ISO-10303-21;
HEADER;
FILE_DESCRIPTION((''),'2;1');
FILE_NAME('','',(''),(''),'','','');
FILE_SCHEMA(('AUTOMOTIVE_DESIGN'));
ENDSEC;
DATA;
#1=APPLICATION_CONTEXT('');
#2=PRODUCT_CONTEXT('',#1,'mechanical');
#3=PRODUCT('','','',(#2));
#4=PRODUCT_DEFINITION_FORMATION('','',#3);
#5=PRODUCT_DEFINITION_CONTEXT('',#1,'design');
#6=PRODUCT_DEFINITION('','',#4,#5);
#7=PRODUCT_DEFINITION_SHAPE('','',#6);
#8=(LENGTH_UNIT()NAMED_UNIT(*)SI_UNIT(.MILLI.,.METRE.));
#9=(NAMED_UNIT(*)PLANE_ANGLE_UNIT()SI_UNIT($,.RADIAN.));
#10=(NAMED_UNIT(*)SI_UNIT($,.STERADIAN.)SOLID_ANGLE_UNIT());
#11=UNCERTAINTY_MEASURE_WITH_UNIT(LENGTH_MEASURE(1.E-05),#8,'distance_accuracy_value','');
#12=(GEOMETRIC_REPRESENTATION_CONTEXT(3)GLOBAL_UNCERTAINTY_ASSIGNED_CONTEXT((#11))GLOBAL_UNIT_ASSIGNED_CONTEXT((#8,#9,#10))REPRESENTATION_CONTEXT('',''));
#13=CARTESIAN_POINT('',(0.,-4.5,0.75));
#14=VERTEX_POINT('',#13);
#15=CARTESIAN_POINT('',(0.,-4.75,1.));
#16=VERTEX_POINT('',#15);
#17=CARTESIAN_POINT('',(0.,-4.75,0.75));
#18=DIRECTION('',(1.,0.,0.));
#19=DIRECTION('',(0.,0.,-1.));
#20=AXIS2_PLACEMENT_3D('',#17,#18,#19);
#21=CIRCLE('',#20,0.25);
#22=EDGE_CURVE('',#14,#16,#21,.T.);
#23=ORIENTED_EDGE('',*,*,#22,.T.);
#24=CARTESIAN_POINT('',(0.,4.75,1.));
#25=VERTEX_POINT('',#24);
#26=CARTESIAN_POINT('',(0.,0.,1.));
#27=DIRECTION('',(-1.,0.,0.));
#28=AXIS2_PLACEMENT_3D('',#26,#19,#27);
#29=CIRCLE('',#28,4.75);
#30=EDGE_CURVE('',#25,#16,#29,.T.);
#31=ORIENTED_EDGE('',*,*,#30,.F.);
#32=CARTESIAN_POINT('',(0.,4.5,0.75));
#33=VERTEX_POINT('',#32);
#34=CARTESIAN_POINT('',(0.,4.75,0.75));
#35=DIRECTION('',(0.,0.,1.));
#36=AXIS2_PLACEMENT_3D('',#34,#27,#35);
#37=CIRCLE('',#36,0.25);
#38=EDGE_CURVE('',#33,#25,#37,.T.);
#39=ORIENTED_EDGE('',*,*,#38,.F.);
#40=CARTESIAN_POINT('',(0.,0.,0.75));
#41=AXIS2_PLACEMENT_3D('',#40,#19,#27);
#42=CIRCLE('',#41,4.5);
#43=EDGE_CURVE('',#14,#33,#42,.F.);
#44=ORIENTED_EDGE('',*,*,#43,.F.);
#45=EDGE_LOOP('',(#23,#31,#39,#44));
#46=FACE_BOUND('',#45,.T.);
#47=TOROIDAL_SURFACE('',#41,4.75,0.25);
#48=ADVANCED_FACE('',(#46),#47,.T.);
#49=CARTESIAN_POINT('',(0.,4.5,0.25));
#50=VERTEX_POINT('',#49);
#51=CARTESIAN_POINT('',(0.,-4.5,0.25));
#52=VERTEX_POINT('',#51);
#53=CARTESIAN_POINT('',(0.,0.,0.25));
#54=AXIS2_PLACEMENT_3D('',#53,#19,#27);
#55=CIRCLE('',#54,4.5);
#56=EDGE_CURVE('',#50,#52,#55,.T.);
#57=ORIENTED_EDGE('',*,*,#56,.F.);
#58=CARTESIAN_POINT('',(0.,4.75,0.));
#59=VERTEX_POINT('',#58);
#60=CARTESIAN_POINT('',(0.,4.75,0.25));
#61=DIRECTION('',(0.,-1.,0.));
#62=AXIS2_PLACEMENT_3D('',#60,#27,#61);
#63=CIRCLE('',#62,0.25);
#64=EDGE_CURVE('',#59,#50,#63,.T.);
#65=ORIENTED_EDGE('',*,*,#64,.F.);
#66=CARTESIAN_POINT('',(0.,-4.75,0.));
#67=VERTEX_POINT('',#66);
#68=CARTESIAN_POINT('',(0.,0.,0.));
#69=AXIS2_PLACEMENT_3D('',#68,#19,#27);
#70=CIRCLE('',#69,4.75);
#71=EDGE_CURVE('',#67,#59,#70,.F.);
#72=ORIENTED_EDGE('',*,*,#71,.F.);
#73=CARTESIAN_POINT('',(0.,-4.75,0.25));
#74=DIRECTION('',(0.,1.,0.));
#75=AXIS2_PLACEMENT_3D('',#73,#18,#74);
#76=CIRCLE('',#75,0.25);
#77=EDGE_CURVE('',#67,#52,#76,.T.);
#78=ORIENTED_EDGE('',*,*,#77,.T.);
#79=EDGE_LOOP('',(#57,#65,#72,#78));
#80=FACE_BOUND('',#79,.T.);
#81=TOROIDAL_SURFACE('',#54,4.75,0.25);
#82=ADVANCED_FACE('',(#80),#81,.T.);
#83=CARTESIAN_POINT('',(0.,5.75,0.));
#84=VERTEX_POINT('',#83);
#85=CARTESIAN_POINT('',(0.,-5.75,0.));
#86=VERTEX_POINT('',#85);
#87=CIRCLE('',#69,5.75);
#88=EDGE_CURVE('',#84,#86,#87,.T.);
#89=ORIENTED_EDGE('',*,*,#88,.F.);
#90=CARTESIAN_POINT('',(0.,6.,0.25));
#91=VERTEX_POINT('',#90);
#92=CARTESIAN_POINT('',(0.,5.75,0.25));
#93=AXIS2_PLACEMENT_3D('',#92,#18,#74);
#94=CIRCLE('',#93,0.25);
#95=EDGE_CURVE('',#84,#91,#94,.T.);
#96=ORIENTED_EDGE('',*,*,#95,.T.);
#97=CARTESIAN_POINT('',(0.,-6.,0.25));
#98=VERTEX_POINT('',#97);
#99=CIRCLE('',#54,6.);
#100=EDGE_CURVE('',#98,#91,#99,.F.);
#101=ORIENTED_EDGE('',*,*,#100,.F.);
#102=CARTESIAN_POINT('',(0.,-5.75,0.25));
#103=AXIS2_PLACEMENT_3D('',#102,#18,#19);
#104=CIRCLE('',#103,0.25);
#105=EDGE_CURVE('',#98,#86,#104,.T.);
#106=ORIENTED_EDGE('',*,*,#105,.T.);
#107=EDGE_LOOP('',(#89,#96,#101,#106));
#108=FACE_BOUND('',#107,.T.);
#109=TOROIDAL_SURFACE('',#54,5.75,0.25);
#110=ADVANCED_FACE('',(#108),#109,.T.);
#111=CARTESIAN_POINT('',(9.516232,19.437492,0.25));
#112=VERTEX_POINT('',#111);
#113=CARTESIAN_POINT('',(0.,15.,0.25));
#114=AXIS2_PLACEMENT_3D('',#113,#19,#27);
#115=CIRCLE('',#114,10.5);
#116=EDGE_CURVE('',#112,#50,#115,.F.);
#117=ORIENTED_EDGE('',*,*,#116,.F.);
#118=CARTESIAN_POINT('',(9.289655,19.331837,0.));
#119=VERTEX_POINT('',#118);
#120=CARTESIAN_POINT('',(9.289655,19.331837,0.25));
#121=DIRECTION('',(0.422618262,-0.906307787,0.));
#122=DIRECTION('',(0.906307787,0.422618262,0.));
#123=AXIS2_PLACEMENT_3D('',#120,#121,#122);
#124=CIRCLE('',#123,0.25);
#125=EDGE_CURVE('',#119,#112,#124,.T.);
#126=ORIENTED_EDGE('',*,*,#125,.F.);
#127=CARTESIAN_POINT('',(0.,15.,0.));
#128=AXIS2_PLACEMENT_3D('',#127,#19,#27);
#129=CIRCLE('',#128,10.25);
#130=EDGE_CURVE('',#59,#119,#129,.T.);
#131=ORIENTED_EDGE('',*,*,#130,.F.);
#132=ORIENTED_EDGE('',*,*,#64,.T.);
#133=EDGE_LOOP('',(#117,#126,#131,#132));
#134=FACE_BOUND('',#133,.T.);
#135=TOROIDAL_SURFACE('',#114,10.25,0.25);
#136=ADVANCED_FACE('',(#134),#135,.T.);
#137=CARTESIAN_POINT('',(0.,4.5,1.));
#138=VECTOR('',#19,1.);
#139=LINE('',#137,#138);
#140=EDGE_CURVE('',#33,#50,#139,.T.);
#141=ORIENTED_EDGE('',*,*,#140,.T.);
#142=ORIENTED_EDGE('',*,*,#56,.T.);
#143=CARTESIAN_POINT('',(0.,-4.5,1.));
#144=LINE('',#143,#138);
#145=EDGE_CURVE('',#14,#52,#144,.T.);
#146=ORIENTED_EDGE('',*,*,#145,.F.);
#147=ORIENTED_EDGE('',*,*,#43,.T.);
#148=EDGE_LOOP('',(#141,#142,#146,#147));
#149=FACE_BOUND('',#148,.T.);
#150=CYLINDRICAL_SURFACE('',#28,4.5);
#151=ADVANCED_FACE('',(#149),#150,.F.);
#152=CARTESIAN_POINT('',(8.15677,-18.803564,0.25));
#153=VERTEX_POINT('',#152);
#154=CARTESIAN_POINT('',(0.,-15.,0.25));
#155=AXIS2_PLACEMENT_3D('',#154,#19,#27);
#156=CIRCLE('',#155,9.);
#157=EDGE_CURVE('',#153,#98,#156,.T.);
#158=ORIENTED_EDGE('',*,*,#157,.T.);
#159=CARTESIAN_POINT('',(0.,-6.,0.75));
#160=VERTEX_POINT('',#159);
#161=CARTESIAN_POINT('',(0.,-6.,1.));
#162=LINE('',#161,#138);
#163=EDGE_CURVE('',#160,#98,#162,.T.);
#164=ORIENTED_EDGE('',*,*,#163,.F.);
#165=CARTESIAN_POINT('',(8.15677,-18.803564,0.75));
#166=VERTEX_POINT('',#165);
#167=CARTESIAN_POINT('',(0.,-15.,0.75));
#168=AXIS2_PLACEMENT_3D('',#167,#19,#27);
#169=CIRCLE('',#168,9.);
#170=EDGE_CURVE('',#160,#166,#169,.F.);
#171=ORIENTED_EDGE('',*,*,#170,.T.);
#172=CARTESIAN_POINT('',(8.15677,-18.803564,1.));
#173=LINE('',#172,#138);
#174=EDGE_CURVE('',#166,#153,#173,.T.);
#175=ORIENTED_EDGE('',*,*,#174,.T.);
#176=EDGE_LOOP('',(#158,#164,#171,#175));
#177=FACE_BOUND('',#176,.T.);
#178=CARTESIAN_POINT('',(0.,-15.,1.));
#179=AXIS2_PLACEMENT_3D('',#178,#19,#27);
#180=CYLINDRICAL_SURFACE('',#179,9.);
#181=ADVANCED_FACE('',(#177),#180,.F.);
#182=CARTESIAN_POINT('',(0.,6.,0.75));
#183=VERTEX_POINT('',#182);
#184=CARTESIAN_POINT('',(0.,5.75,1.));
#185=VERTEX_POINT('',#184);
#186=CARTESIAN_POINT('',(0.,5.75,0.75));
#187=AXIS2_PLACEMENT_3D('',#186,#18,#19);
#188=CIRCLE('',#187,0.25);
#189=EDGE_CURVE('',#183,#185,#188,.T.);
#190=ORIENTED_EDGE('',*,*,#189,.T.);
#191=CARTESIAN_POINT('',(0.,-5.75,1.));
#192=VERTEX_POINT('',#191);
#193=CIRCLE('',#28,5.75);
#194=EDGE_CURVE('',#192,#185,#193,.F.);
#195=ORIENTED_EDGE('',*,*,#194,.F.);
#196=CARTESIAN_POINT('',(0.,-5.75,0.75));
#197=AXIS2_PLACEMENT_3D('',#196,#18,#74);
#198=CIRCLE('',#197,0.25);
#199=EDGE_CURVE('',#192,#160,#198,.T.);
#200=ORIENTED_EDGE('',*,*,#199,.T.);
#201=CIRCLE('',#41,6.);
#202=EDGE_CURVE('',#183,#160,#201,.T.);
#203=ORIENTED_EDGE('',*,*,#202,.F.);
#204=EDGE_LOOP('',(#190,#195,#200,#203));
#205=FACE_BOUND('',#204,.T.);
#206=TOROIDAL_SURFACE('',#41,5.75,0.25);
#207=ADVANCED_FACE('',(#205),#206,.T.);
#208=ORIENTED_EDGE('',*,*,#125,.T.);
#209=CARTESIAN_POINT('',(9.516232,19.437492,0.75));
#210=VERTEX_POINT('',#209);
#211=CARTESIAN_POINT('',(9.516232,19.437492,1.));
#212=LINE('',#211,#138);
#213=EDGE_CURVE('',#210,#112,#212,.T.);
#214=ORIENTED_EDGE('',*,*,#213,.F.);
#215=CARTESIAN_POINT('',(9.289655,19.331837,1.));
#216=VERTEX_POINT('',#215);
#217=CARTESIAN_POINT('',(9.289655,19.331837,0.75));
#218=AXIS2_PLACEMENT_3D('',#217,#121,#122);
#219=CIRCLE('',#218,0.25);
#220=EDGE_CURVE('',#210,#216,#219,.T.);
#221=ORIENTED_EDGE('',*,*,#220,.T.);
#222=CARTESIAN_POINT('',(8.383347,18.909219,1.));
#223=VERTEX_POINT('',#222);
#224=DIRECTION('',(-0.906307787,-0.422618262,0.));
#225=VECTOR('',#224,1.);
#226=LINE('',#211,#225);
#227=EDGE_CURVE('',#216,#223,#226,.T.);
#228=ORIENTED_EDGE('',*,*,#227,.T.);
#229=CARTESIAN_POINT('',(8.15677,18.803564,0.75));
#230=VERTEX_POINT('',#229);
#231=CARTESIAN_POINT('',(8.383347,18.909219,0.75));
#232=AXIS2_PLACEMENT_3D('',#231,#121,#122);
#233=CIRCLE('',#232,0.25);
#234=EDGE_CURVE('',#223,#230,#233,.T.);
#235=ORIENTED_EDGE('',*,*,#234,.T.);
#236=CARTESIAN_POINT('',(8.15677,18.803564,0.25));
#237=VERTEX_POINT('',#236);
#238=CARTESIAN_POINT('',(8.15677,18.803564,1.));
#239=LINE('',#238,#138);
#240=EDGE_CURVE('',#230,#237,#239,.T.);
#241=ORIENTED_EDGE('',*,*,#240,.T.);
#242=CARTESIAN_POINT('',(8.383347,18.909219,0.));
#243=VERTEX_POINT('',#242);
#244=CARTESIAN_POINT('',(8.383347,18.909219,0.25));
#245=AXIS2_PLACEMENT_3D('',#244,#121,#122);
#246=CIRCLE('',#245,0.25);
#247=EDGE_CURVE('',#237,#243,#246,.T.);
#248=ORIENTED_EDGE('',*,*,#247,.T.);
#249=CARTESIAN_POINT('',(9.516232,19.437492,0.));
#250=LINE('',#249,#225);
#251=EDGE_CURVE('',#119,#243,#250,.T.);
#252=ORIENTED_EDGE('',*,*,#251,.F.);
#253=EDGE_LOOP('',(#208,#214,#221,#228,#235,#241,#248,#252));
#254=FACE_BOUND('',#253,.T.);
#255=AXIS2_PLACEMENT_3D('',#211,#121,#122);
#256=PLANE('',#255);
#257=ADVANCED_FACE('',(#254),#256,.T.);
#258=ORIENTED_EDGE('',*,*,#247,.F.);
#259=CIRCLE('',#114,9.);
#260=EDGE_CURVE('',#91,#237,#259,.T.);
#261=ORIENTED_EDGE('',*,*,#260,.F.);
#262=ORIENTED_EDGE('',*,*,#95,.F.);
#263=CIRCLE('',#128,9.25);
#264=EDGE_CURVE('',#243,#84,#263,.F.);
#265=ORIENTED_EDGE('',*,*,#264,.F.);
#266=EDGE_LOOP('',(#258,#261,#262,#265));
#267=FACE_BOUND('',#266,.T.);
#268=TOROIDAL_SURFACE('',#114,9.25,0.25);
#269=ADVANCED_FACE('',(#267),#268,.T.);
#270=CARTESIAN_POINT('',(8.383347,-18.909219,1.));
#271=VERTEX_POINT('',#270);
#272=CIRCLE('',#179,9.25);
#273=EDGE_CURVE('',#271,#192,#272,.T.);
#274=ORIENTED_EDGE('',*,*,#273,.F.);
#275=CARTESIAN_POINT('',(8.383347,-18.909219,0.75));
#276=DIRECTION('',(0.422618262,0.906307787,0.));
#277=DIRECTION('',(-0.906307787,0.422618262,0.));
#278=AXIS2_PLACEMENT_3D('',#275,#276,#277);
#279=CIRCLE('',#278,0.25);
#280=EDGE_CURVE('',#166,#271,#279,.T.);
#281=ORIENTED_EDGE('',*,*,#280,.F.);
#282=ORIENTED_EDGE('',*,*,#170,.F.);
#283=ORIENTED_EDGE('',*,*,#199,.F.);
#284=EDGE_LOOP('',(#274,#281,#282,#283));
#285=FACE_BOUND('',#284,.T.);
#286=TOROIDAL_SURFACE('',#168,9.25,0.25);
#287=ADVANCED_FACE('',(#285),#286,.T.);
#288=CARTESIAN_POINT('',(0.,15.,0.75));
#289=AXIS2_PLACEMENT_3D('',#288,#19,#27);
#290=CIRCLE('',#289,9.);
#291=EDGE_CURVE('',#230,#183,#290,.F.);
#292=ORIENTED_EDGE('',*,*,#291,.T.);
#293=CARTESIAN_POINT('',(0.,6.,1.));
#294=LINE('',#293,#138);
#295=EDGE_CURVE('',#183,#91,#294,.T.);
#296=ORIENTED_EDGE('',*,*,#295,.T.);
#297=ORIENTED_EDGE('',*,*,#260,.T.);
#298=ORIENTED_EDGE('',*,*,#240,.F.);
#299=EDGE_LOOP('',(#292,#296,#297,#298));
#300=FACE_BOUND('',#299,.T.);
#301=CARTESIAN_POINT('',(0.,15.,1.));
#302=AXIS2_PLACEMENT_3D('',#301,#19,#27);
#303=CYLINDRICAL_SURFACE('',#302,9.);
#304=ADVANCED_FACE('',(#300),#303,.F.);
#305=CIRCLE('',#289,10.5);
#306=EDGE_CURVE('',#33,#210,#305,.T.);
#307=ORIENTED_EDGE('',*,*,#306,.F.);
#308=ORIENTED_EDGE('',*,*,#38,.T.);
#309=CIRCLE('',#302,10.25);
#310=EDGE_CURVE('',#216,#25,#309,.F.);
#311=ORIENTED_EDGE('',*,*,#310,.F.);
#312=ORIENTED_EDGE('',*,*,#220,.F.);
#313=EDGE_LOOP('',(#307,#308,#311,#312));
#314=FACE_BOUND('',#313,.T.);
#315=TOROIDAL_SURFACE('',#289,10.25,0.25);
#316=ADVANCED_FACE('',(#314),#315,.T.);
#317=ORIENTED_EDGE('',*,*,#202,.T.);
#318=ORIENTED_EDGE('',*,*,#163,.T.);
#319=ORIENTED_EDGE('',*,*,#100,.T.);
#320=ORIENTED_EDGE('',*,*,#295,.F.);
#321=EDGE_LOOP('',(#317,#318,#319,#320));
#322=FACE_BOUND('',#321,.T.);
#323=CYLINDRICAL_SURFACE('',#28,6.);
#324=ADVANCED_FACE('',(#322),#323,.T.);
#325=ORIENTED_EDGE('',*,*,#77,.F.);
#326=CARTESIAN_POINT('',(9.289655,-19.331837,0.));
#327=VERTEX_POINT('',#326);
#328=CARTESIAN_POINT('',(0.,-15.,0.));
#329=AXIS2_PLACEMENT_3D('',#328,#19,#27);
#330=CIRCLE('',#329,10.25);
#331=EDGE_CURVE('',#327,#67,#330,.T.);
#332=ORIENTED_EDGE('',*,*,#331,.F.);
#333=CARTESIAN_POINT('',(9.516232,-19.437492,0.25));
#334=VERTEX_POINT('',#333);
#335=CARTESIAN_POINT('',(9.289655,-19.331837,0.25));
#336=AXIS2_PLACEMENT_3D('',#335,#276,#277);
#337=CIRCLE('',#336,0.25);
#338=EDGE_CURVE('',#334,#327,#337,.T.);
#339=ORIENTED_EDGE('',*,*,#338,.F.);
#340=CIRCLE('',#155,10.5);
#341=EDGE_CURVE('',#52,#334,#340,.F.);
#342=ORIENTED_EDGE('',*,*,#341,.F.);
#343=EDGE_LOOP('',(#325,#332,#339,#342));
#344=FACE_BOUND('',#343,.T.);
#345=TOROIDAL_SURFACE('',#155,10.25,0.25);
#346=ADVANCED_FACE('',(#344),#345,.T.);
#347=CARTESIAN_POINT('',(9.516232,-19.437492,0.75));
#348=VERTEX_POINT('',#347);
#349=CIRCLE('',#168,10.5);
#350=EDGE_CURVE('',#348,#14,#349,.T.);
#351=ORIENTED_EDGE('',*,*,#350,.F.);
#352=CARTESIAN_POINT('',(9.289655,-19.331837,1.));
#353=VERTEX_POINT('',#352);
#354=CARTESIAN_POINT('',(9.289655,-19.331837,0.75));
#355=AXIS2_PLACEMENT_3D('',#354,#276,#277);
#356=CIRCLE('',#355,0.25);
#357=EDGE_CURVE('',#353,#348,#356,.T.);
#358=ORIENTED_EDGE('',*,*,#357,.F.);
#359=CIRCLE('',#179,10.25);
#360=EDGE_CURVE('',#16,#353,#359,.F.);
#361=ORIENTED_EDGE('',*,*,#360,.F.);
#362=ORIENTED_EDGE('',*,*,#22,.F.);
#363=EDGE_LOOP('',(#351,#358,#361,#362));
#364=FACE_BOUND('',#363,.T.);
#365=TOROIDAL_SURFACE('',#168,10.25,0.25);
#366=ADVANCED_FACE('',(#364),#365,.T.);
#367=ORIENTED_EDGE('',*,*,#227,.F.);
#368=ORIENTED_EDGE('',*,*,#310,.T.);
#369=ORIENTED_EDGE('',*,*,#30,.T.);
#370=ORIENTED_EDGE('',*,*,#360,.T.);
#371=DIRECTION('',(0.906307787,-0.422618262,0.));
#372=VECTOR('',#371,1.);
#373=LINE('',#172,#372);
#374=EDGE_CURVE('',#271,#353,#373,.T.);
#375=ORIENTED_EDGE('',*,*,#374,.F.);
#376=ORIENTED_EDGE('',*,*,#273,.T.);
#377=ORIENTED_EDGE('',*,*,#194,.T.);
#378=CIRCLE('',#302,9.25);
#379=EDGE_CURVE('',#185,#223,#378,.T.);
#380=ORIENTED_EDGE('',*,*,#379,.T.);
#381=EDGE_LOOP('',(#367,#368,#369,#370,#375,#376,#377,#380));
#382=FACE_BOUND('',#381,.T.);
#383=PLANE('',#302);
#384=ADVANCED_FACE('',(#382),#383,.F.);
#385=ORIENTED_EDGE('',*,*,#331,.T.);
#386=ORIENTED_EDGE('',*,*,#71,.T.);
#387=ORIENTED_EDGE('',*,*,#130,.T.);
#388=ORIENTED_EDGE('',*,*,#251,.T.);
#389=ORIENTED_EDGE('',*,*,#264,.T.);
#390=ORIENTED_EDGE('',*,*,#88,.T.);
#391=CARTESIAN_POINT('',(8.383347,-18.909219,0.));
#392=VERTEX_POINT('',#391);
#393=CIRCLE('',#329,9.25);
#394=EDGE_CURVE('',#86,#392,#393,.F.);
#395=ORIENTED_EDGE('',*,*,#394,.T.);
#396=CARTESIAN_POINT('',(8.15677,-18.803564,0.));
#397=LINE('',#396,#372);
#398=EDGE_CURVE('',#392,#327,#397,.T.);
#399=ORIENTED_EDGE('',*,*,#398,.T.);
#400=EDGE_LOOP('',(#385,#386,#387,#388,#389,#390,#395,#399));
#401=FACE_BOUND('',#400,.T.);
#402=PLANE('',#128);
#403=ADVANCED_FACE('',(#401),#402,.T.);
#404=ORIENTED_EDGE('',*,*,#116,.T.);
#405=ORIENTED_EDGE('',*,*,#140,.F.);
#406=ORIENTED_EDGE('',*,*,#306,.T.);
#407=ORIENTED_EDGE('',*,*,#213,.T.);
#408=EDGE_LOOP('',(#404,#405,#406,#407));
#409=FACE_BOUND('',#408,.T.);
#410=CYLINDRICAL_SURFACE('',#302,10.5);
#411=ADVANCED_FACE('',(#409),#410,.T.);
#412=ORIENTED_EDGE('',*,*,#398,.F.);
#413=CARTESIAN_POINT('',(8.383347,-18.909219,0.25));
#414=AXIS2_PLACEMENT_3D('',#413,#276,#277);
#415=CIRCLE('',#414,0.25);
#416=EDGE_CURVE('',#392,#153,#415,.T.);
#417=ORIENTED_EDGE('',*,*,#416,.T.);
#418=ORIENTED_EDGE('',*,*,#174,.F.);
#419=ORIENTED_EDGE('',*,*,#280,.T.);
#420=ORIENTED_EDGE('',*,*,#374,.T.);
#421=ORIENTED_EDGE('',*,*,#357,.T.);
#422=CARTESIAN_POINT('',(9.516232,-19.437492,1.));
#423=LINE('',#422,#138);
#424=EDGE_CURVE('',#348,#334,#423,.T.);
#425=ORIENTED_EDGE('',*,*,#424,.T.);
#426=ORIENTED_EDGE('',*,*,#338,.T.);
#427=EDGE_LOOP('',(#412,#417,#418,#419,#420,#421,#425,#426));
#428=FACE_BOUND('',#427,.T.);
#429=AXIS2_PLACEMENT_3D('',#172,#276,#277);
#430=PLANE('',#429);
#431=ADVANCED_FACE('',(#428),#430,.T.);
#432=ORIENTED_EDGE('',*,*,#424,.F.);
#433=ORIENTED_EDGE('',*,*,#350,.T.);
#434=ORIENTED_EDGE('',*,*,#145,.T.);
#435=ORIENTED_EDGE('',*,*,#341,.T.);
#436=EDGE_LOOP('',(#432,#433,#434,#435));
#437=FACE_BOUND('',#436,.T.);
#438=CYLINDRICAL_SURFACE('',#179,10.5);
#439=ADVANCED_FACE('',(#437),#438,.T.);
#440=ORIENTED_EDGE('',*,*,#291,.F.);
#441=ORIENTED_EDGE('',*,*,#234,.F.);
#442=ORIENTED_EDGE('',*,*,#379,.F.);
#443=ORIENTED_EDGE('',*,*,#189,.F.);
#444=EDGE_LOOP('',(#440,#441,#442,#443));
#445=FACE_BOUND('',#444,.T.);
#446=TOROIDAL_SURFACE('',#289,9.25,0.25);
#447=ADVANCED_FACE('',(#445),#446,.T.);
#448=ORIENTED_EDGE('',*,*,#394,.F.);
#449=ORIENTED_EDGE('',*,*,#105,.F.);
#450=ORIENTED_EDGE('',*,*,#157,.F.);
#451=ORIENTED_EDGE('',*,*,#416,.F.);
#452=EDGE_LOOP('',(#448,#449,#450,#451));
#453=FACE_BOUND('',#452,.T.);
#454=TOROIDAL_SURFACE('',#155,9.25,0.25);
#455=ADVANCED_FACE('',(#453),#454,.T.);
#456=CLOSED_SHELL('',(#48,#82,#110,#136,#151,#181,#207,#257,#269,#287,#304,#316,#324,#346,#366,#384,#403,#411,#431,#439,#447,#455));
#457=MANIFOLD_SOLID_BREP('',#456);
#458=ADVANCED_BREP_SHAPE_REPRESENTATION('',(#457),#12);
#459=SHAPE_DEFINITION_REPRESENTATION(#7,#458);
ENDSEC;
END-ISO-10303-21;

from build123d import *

# Parameters (mm, degrees)
EXTRUDE_THIN1_DEPTH = 1
FILLET1_R           = 0.25


with BuildPart() as part:
    # Sketch1 → Extrude-Thin1 (new body)
    with BuildSketch(Plane.XY):
        with BuildLine():
            ThreePointArc((8.156770083, 18.803564356), (-7.590523012, 19.835696475), (0, 6))
            ThreePointArc((0, 6), (4.242640687, 4.242640687), (6, 0))
            ThreePointArc((6, 0), (4.242640687, -4.242640687), (0, -6))
            ThreePointArc((0, -6), (-7.590523012, -19.835696475), (8.156770083, -18.803564356))
            Line((8.156770083, -18.803564356), (9.516231764, -19.437491748))
            ThreePointArc((9.516231764, -19.437491748), (-8.855610181, -20.641645888), (0, -4.5))
            ThreePointArc((0, -4.5), (3.181980515, -3.181980515), (4.5, 0))
            ThreePointArc((4.5, 0), (3.181980515, 3.181980515), (0, 4.5))
            ThreePointArc((0, 4.5), (-8.855610181, 20.641645888), (9.516231764, 19.437491748))
            Line((9.516231764, 19.437491748), (8.156770083, 18.803564356))
        make_face()
    extrude(amount=EXTRUDE_THIN1_DEPTH)

    # Fillet1
    fillet1_edges = [part.edges().sort_by_distance(p)[0] for p in [
        (-8.855610181, -20.641645888, 0),
        (4.5, 0, 0),
        (-8.855610181, 20.641645888, 0),
        (-7.590523012, 19.835696475, 0),
        (-8.855610181, 20.641645888, 1),
        (4.5, 0, 1),
        (-8.855610181, -20.641645888, 1),
        (-7.590523012, -19.835696475, 1),
        (6, 0, 1),
        (-7.590523012, 19.835696475, 1),
        (6, 0, 0),
        (-7.590523012, -19.835696475, 0),
    ]]
    fillet(fillet1_edges, radius=FILLET1_R)


solid = part.part
